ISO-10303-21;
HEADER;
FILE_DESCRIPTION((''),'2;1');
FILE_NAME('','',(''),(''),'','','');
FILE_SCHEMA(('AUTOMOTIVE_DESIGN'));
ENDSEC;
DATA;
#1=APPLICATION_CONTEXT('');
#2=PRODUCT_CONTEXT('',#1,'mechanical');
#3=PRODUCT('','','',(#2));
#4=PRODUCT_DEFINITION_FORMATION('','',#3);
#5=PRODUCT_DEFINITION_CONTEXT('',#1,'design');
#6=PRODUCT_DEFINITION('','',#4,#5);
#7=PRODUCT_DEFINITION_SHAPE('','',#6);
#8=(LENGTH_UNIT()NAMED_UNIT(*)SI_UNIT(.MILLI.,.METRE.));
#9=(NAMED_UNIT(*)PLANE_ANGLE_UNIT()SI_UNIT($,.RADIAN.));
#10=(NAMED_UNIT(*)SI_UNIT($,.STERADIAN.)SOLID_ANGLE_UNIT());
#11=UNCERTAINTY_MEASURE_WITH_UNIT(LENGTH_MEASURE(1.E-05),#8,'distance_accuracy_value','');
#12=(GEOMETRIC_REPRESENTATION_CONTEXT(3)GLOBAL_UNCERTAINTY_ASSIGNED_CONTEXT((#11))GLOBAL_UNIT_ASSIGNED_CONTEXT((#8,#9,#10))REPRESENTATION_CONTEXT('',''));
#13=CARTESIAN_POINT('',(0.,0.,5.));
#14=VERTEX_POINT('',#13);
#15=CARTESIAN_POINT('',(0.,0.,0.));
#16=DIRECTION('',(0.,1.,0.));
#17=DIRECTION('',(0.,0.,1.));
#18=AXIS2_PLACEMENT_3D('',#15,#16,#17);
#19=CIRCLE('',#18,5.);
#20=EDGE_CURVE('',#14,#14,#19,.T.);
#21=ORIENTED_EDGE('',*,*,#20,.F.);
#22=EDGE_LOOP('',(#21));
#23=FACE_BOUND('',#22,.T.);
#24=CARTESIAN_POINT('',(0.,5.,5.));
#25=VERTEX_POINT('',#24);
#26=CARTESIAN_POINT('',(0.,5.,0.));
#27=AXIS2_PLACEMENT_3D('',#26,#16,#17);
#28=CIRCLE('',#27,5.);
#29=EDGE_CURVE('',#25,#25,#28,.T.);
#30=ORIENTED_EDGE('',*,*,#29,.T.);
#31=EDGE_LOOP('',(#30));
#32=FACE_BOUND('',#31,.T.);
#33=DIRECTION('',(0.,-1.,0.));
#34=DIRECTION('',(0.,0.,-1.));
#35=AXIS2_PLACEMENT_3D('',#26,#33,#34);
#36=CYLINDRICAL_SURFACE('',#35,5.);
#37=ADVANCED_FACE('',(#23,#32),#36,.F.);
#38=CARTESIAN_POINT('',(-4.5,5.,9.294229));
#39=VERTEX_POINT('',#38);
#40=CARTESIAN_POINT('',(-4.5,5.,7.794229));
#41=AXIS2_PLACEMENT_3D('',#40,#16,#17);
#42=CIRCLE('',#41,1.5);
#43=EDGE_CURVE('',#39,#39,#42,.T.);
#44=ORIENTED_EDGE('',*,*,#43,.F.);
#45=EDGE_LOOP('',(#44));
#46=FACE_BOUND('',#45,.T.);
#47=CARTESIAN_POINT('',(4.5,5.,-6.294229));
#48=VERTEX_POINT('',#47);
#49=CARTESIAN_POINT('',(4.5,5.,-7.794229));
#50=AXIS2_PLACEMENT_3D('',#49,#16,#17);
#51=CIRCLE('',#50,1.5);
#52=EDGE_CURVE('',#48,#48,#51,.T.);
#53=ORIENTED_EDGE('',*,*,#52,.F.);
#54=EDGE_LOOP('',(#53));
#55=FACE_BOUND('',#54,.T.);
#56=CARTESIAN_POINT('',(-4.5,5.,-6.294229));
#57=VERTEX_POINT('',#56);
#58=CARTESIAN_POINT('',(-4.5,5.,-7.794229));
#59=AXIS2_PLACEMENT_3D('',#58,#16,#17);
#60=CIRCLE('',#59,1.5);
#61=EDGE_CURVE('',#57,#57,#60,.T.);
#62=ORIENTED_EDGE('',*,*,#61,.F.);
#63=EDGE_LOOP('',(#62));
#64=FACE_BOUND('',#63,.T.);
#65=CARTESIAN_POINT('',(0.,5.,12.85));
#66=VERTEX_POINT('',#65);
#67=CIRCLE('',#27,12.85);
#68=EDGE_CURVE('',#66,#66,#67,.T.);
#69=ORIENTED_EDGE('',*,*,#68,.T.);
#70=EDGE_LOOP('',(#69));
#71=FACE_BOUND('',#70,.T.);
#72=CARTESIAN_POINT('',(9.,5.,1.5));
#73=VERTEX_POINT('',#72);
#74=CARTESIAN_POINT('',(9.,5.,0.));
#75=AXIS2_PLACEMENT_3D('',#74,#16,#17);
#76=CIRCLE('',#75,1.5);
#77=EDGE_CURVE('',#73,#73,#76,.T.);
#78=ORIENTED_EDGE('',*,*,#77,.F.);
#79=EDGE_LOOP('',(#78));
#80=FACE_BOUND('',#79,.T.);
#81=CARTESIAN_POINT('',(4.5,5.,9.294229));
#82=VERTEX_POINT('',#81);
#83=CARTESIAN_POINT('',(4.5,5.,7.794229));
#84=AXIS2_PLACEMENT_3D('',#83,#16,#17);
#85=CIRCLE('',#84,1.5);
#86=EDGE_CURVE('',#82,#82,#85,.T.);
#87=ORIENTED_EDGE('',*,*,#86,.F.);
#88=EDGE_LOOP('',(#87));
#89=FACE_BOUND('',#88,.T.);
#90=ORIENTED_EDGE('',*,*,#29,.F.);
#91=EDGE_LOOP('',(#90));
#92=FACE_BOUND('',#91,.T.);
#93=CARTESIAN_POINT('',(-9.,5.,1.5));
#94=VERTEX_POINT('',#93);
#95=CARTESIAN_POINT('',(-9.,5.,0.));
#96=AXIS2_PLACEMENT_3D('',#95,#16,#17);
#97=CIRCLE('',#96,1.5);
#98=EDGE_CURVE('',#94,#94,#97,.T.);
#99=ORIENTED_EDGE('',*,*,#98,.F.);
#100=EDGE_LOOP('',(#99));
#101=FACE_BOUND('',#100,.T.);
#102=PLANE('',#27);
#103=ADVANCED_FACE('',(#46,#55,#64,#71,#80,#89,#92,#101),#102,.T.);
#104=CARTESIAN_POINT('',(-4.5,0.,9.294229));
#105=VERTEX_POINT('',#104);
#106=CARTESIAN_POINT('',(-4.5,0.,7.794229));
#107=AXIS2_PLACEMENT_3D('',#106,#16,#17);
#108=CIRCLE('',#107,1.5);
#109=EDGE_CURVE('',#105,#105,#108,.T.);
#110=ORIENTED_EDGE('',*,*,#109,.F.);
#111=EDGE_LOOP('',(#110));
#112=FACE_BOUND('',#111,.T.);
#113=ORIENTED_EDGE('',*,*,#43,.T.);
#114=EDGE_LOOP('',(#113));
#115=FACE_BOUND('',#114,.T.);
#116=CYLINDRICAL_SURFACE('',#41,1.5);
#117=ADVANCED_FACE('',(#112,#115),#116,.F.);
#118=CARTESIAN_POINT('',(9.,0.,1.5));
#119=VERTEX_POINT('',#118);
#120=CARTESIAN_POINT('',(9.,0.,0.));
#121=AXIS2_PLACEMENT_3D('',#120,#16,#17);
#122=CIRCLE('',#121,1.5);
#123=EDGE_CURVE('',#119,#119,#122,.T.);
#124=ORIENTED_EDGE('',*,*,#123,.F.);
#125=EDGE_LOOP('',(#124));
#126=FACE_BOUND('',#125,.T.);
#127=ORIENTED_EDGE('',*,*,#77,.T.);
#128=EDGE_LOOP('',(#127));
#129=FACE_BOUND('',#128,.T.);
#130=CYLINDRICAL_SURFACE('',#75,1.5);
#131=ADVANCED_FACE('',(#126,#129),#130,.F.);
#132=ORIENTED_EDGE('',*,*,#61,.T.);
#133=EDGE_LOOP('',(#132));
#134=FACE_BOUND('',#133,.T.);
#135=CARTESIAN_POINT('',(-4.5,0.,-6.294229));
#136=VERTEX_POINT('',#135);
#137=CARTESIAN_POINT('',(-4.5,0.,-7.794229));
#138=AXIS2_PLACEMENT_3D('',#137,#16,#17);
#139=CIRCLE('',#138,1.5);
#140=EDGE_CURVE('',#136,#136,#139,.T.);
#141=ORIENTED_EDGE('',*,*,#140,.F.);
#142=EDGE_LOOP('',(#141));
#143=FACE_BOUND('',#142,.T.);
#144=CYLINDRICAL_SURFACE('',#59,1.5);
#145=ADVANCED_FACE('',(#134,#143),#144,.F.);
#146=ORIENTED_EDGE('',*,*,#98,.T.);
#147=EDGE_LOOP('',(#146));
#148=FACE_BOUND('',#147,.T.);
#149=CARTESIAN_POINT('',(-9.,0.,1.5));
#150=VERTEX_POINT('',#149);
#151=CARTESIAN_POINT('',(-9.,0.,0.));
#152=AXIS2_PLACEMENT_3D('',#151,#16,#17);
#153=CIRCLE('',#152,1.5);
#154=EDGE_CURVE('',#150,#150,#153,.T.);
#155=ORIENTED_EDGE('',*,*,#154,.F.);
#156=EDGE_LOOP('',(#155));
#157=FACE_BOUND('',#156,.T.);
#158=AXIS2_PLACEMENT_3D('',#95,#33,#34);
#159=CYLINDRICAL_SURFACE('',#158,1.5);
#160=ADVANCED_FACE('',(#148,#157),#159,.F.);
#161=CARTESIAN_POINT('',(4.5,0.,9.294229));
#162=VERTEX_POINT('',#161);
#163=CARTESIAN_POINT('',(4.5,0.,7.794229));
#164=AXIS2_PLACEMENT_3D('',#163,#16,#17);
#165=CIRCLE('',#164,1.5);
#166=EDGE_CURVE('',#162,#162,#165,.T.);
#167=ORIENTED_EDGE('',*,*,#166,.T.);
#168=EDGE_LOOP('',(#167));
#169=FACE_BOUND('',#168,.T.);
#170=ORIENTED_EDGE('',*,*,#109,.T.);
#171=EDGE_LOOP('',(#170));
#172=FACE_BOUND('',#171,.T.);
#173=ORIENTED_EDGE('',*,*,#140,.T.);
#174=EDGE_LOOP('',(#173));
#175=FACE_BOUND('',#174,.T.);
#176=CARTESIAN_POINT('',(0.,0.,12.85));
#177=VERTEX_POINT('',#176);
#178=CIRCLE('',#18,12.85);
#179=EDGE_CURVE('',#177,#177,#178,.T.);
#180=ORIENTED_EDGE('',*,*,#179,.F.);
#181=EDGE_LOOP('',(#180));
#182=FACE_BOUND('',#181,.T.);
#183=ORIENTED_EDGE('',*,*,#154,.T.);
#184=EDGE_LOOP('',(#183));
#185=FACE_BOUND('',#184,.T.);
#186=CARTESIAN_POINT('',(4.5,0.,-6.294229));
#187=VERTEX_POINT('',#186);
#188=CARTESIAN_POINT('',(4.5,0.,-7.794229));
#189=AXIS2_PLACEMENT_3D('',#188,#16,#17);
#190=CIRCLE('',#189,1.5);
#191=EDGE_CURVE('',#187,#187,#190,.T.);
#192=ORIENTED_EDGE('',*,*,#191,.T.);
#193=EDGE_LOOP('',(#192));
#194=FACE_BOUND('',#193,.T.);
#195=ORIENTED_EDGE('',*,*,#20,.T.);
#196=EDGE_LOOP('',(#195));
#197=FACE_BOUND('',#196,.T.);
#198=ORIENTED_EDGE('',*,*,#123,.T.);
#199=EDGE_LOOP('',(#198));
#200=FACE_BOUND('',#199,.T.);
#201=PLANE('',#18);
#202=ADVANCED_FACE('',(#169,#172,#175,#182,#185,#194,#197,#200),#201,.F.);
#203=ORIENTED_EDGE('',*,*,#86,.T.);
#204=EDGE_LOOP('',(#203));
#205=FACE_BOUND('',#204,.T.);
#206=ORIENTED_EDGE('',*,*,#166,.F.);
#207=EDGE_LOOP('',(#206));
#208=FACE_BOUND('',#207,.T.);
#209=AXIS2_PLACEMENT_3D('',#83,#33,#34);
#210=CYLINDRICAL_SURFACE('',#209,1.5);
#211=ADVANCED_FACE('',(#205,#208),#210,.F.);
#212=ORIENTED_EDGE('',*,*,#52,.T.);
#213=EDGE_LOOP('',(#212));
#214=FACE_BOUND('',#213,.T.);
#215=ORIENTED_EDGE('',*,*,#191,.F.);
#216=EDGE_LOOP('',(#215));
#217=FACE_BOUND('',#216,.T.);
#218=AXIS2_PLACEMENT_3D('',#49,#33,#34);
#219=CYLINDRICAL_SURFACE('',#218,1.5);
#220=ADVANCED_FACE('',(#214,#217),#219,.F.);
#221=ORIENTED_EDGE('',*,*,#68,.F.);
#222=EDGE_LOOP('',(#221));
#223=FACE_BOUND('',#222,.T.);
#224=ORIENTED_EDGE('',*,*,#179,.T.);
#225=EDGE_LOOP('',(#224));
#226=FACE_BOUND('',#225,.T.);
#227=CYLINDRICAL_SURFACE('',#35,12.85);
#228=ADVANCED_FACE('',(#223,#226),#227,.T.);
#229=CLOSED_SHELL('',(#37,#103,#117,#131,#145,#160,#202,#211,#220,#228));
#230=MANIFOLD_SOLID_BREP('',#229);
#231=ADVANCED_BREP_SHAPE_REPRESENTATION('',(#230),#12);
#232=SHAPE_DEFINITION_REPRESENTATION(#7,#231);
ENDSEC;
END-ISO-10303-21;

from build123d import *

# Parameters (mm, degrees)
SKETCH1_R             = 12.85
SKETCH1_R_2           = 1.5
SKETCH1_R_3           = 5
BOSS_EXTRUDE1_DEPTH   = 5
F_6_0MM_DOWEL_HOLE1_D = 3


with BuildPart() as part:
    # Sketch1 → Boss-Extrude1 (new body)
    with BuildSketch(Plane(origin=(0, 0, 0), x_dir=(1, 0, 0), z_dir=(0, 1, 0))):
        with Locations(Location((0, 0, 0), (0, 0, 270))):
            Circle(SKETCH1_R)
        with Locations(Location((4.5, 7.794228634, 0), (0, 0, 270))):
            Circle(SKETCH1_R_2, mode=Mode.SUBTRACT)
        with Locations(Location((-9, 0, 0), (0, 0, 270))):
            Circle(SKETCH1_R_2, mode=Mode.SUBTRACT)
        with Locations(Location((4.5, -7.794228634, 0), (0, 0, 270))):
            Circle(SKETCH1_R_2, mode=Mode.SUBTRACT)
        with Locations(Location((0, 0, 0), (0, 0, 270))):
            Circle(SKETCH1_R_3, mode=Mode.SUBTRACT)
    extrude(amount=BOSS_EXTRUDE1_DEPTH)

    # Ø6.0mm Dowel Hole1 (through all)
    with Locations(Plane(origin=(0, 5, 0), x_dir=(1, 0, 0), z_dir=(0, 1, 0))):
        with Locations((9, 0), (-4.5, 7.794228634), (-4.5, -7.794228634)):
            Hole(F_6_0MM_DOWEL_HOLE1_D / 2)


solid = part.part
